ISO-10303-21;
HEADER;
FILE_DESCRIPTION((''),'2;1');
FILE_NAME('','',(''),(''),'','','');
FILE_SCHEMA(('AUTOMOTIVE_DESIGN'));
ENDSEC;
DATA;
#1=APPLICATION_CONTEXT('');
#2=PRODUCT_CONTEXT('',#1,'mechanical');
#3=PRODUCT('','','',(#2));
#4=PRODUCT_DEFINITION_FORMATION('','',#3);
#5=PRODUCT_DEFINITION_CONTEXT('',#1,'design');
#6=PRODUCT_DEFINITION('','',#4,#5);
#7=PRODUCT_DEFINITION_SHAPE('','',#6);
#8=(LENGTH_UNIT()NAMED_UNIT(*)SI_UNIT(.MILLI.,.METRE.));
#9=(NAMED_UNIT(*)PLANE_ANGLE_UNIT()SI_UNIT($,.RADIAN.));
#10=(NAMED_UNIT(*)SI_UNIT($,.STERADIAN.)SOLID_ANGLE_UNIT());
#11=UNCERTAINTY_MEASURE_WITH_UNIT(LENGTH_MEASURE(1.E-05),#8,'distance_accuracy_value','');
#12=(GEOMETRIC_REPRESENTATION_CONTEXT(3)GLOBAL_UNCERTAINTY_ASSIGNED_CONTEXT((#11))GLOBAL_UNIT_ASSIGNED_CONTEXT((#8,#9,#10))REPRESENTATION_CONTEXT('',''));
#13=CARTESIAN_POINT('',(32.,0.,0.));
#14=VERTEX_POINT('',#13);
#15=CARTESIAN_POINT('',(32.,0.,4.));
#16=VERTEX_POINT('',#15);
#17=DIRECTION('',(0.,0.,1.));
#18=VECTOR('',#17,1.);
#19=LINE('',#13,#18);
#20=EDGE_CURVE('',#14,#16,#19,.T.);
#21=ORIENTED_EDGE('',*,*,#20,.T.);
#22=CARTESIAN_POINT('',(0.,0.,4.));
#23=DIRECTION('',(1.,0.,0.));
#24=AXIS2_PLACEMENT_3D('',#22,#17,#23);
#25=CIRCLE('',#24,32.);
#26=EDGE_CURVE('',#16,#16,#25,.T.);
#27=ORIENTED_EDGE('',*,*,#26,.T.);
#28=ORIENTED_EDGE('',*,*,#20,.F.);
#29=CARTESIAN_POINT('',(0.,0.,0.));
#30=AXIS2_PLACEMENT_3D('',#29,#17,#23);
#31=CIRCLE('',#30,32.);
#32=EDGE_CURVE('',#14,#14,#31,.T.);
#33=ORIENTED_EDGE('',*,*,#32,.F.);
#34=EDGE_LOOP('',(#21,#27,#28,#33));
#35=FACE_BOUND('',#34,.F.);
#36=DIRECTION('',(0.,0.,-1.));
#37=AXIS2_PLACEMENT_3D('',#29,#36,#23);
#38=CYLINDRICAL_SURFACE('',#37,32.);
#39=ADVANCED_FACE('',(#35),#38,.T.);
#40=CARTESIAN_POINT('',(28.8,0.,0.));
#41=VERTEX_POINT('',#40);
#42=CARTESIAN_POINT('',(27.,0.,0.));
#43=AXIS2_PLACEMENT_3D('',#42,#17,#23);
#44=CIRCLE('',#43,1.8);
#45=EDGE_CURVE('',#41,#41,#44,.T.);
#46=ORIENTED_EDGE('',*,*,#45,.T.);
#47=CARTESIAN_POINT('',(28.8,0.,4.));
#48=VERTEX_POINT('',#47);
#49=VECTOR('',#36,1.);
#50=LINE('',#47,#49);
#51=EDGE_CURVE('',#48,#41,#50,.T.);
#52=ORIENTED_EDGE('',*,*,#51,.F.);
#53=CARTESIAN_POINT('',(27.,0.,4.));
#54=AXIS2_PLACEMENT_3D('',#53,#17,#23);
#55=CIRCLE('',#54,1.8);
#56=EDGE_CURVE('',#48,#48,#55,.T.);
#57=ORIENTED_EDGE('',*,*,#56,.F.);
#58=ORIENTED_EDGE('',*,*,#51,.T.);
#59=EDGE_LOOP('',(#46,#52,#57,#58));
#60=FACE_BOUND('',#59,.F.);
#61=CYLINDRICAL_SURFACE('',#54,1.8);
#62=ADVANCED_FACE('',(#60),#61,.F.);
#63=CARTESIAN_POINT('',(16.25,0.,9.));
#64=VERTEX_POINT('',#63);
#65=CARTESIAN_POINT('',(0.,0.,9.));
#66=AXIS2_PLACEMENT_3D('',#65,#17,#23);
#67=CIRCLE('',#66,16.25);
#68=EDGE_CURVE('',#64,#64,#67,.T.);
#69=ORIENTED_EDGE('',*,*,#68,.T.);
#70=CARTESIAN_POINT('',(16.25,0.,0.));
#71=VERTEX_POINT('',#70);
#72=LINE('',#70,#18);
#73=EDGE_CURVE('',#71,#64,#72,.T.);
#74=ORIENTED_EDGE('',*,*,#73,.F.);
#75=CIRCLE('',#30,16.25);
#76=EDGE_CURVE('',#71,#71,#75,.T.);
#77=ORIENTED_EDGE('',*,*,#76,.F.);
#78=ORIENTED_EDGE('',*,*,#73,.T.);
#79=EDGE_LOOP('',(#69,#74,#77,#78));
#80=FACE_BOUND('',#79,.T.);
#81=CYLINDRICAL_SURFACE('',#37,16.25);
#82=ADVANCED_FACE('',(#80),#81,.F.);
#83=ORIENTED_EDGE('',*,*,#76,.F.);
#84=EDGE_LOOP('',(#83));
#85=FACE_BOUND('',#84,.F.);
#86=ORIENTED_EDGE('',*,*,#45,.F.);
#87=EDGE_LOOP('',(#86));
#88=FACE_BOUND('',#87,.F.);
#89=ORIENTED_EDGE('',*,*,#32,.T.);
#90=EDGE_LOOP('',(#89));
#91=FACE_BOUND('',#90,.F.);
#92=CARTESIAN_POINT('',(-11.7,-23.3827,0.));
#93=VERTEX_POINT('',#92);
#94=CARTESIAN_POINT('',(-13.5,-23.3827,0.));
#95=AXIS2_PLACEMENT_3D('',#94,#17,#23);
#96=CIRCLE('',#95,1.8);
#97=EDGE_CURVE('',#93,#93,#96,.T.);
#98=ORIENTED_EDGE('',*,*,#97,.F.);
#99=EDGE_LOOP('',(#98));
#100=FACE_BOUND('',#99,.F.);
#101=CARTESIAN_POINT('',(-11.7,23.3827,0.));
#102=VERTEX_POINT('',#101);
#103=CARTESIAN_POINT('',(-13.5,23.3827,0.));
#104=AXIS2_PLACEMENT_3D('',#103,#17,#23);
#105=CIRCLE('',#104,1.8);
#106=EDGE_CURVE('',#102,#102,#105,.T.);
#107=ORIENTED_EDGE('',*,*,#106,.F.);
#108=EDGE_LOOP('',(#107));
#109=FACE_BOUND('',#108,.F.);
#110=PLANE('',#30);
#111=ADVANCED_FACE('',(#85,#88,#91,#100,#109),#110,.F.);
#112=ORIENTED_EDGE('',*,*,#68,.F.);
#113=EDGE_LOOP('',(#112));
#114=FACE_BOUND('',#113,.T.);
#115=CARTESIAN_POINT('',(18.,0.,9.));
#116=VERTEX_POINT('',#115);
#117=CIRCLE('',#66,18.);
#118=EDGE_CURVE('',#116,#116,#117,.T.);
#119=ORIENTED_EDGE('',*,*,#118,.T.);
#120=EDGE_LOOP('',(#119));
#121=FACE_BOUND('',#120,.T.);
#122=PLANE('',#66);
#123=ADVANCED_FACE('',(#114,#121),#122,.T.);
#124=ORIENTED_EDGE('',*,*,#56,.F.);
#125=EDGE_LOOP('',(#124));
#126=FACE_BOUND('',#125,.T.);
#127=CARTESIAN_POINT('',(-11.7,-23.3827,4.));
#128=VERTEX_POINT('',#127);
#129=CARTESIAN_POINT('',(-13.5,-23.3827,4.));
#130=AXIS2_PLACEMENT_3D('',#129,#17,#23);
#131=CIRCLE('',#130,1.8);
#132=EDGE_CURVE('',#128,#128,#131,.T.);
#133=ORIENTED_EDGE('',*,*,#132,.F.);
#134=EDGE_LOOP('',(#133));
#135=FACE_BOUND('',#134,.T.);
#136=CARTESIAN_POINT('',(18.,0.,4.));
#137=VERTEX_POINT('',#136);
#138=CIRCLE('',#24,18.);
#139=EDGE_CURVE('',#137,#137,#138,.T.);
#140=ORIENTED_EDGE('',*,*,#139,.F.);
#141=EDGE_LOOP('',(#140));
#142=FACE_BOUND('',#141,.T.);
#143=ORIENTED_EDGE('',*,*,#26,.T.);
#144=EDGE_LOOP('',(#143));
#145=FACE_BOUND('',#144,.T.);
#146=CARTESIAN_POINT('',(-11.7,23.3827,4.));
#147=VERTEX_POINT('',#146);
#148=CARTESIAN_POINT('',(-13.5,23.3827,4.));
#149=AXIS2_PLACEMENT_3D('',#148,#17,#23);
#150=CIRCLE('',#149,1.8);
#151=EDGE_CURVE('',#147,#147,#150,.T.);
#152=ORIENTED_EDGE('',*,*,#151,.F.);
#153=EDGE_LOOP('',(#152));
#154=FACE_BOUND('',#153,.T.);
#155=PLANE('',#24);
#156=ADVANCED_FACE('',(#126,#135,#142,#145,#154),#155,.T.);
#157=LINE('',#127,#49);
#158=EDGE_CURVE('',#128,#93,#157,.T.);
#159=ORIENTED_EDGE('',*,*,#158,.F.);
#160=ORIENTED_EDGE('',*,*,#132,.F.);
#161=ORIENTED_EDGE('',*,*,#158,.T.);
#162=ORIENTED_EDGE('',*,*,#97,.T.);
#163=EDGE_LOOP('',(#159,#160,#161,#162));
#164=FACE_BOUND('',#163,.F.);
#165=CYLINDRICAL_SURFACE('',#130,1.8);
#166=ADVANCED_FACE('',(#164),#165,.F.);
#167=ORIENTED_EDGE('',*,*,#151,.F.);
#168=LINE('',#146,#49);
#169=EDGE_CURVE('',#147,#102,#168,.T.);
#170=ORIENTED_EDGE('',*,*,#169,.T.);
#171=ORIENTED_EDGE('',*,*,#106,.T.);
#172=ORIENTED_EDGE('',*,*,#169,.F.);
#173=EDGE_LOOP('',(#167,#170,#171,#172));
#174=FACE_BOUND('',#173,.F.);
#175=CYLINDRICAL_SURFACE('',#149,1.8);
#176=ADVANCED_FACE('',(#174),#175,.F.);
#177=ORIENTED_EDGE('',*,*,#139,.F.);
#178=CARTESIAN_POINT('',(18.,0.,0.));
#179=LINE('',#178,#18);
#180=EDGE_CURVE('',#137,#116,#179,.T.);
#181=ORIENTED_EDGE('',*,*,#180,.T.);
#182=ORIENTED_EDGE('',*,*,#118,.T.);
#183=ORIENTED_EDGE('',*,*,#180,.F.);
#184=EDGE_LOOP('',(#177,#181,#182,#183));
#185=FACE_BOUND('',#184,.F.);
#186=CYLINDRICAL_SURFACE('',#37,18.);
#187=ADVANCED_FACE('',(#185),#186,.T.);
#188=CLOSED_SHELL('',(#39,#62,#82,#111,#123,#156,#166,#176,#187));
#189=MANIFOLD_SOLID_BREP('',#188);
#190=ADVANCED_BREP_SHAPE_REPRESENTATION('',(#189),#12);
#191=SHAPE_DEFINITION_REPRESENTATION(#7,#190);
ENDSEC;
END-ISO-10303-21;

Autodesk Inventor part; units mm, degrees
ref_plane "YZ Plane" through (0, 0, 0) normal (1, 0, 0) x (0, 1, 0)
ref_plane "XZ Plane" through (0, 0, 0) normal (0, 1, 0) x (-1, 0, 0)
ref_plane "XY Plane" through (0, 0, 0) normal (0, 0, 1) x (1, 0, 0)
sketch "Sketch1" plane through (0, 0, 0) normal (0, 0, 1) x (1, 0, 0)
  circle A0 centre (0, 0) radius 16.25
  circle A1 centre (0, 0) radius 18
  circle A2 centre (0, 0) radius 32
  dimension "d0" = 32.5
  dimension "d16" = 64
  dimension "d21" = 36
extrude "Extrusion1" add sketch "Sketch1" along normal blind 4 contours A2
extrude "Extrusion2" add sketch "Sketch1" along normal blind 9 contours A1
sketch "Sketch2" plane through (0, 0, 4) normal (0, 0, 1) x (1, 0, 0)
  circle A0 centre (0, 0) radius 32 projected
  circle A1 centre (27, 0) radius 1.8
  circle A2 centre (-13.5, 23.3827) radius 1.8
  circle A3 centre (-13.5, -23.3827) radius 1.8
  dimension "d8" = 3.6
  dimension "d9" = 27
  dimension "d12" = 360
extrude "Extrusion3" cut sketch "Sketch2" against normal up to surface (4 mm away) contours A1 | A2 | A3
equation "\"d0\" = a"
equation "\"a\" = 32.5"
properties part number "ACO.RODA15-02"
